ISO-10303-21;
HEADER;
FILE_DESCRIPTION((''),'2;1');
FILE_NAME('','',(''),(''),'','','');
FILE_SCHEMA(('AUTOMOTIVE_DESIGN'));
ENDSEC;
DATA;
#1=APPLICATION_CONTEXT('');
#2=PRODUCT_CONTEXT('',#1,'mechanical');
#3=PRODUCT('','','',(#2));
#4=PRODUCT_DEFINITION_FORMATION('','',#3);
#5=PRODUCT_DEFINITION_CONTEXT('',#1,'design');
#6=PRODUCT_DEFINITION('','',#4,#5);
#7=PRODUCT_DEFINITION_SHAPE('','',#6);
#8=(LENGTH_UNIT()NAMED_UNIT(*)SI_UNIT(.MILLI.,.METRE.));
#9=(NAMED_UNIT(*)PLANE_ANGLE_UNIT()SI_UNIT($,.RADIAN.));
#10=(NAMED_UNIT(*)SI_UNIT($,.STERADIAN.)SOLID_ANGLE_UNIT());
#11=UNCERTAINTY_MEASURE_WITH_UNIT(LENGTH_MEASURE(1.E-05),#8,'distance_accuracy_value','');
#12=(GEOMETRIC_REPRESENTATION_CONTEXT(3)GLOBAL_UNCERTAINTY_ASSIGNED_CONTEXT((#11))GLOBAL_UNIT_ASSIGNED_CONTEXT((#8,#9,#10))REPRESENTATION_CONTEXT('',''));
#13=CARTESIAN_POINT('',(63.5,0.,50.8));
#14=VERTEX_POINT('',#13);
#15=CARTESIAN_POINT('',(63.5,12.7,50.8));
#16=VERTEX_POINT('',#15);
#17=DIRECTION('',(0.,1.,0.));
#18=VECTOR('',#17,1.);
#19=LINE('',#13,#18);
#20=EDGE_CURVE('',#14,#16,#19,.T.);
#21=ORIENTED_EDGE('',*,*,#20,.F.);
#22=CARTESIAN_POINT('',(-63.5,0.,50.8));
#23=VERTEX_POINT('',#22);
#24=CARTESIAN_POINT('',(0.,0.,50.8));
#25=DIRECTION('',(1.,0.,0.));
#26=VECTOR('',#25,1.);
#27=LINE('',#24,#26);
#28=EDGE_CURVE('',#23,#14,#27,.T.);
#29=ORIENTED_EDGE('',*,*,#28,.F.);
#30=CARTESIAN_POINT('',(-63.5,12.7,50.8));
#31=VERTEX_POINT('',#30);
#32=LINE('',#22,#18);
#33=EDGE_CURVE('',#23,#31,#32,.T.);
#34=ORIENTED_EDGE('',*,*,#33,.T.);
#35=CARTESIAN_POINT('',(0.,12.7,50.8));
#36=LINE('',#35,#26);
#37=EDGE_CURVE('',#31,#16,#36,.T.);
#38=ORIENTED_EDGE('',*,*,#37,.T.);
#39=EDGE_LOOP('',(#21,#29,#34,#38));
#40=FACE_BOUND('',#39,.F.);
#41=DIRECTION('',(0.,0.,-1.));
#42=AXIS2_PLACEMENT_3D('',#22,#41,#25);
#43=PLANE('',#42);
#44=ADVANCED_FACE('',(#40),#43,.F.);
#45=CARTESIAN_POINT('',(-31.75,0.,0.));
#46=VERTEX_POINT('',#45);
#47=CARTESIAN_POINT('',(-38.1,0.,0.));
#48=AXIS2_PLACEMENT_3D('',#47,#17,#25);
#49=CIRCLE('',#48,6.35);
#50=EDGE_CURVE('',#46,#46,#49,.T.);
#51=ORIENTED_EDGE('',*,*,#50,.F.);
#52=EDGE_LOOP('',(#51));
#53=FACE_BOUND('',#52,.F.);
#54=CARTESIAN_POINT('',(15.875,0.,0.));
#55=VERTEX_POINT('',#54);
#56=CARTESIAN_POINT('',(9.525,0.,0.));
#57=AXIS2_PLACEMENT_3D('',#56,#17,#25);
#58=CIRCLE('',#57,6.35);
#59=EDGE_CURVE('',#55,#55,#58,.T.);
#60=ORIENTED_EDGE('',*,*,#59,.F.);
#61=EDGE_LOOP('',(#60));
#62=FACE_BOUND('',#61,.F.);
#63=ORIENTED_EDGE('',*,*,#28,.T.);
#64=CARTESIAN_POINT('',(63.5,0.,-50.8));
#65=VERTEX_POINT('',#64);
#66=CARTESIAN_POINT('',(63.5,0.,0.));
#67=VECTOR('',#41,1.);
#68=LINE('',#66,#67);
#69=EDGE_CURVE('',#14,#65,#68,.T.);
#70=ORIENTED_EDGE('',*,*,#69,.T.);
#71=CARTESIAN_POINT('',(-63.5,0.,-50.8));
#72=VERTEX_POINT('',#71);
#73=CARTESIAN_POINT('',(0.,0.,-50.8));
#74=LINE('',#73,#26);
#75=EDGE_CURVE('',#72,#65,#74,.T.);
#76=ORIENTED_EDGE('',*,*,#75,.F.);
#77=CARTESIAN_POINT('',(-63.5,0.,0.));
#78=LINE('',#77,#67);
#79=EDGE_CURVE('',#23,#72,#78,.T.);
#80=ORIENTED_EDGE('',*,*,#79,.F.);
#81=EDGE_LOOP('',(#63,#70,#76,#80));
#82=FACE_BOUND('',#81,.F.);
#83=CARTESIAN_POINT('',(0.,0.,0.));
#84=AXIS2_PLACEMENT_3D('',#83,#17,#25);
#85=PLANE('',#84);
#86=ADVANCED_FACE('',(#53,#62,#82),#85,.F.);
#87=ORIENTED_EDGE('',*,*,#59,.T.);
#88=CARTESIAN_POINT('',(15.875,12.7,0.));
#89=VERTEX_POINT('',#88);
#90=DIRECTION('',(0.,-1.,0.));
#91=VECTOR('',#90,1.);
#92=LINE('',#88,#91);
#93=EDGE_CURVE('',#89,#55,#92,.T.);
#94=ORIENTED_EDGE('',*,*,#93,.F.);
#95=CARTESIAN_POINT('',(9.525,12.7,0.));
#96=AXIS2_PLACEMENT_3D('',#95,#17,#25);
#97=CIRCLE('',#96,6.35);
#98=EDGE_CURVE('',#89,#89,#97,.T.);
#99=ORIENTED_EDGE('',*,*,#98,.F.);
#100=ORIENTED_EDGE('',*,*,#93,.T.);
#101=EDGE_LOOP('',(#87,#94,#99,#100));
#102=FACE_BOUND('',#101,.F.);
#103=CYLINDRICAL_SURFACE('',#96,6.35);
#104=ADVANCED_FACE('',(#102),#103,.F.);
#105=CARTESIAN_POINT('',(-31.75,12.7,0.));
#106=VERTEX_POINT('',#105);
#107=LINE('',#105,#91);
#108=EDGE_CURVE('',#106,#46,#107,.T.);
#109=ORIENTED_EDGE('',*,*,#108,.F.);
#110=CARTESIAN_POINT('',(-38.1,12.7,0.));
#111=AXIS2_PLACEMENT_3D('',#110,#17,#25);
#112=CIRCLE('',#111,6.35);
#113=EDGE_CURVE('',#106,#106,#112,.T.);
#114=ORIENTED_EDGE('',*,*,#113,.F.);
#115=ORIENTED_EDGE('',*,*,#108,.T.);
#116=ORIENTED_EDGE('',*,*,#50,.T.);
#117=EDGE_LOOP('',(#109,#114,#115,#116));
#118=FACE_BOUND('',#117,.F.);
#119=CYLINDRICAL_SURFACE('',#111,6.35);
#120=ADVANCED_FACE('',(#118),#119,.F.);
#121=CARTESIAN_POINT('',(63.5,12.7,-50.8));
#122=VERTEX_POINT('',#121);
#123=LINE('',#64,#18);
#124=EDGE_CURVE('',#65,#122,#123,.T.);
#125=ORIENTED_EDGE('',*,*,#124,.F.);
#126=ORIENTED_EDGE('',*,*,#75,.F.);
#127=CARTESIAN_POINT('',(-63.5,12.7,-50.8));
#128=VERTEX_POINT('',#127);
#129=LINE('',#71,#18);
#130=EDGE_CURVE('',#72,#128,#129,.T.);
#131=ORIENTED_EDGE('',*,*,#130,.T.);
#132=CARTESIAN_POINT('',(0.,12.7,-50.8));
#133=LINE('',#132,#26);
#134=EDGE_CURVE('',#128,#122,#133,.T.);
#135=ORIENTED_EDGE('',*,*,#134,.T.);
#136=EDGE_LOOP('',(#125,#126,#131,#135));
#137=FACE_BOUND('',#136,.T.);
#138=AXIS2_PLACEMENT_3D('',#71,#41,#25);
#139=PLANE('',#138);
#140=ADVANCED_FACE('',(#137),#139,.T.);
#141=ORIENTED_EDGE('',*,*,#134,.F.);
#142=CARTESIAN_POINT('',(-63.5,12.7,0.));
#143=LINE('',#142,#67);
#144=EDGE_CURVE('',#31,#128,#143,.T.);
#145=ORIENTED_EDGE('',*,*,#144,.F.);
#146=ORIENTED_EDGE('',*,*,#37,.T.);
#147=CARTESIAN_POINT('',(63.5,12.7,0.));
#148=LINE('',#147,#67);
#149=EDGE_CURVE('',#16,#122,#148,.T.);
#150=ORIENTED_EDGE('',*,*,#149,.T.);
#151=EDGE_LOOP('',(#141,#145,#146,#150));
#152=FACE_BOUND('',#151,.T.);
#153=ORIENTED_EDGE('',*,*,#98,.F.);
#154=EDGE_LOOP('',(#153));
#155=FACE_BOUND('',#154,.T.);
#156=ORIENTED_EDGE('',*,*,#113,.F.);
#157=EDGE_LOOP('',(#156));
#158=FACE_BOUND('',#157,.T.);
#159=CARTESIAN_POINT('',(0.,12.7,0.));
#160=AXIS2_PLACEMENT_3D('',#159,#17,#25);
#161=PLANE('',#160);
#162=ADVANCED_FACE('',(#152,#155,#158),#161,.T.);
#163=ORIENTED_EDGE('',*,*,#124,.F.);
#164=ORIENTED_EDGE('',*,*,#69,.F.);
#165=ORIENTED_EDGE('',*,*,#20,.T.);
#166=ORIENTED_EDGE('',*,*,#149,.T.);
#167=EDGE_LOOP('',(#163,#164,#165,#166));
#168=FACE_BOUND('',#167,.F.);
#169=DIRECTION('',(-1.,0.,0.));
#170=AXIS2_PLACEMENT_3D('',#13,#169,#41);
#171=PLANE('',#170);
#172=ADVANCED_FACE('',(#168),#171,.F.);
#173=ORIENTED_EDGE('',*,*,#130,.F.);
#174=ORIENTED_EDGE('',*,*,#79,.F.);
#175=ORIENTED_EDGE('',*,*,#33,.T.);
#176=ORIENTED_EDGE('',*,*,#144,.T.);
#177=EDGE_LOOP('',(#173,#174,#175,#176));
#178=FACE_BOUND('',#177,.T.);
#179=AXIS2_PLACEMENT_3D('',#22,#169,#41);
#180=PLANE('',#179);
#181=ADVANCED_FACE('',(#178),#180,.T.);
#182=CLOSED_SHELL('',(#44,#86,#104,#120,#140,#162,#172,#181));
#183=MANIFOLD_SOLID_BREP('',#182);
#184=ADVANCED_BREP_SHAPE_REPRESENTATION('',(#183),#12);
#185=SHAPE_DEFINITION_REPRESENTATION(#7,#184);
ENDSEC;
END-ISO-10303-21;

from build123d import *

# Parameters (mm, degrees)
SKETCH2_W           = 127
SKETCH2_H           = 101.6
BOSS_EXTRUDE1_DEPTH = 12.7
SKETCH3_R           = 6.35
CUT_EXTRUDE1_DEPTH  = 13.7


with BuildPart() as part:
    # Sketch2 → Boss-Extrude1 (new body)
    with BuildSketch(Plane(origin=(0, 0, 0), x_dir=(1, 0, 0), z_dir=(0, 1, 0))):
        Rectangle(SKETCH2_W, SKETCH2_H)
    extrude(amount=BOSS_EXTRUDE1_DEPTH)

    # Sketch3 → Cut-Extrude1 (cut, through all)
    with BuildSketch(Plane(origin=(0, 12.7, 0), x_dir=(1, 0, 0), z_dir=(0, 1, 0))):
        with Locations((-38.1, 0)):
            Circle(SKETCH3_R)
        with Locations((9.525, 0)):
            Circle(SKETCH3_R)
    extrude(amount=-CUT_EXTRUDE1_DEPTH, mode=Mode.SUBTRACT)


solid = part.part
